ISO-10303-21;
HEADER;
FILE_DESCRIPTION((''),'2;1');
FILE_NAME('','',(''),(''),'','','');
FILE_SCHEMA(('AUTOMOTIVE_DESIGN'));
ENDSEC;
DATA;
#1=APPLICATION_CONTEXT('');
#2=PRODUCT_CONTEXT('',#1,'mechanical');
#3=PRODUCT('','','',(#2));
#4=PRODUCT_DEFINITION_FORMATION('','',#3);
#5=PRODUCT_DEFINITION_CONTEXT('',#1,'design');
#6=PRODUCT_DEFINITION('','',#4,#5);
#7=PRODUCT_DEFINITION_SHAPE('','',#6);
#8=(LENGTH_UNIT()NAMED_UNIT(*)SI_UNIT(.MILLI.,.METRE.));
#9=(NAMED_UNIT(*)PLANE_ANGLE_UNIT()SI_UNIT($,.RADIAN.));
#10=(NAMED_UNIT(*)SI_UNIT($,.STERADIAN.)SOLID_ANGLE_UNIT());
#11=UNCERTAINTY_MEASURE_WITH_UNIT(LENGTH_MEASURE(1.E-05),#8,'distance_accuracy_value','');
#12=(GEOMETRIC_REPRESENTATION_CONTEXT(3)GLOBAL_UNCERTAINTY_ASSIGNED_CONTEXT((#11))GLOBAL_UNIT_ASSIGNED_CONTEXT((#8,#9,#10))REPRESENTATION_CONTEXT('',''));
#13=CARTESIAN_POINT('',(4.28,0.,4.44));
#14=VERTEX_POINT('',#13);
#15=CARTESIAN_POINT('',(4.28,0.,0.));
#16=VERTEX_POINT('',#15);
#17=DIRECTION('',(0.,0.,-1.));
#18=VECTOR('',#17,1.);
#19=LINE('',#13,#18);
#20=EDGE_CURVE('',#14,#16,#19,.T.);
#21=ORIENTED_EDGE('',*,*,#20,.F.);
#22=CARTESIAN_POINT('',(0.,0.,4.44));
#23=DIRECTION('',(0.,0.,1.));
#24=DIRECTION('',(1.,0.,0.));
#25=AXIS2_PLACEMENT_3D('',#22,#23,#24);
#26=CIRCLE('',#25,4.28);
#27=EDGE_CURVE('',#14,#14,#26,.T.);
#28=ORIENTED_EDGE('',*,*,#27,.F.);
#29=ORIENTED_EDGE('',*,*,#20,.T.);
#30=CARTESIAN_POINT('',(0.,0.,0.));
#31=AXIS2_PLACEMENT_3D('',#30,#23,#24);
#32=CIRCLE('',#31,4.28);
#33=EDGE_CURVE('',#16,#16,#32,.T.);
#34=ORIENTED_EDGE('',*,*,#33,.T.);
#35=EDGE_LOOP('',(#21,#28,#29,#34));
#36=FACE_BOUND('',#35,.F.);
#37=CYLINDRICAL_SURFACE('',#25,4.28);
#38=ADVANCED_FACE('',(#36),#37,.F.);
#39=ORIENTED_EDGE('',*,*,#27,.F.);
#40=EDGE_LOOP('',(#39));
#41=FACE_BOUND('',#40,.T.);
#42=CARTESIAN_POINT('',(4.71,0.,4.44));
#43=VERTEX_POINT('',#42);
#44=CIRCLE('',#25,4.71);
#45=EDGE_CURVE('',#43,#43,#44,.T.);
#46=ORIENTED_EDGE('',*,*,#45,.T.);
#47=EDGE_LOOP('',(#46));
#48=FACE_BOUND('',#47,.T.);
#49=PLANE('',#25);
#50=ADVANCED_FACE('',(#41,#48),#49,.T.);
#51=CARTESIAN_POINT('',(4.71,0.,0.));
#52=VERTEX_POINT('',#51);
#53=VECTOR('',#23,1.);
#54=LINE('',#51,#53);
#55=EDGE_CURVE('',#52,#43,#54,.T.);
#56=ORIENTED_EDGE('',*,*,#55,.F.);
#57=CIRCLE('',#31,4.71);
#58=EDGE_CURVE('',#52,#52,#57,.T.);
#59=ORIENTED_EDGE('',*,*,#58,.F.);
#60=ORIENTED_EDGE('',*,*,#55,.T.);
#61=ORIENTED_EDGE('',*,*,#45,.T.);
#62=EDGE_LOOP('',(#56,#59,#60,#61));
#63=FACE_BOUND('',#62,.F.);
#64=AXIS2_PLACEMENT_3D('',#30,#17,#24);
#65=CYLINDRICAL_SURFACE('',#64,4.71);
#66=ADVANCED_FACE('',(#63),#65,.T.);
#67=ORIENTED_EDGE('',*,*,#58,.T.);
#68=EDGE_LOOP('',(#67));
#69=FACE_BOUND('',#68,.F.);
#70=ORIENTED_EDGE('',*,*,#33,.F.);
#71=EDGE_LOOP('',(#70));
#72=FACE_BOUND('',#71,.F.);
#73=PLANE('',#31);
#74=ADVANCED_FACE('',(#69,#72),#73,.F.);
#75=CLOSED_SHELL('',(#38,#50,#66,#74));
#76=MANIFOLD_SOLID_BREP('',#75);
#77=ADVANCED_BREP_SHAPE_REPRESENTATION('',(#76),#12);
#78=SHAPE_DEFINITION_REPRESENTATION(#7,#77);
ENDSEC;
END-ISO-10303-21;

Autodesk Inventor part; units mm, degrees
ref_plane "YZ Plane" through (0, 0, 0) normal (1, 0, 0) x (0, 1, 0)
ref_plane "XZ Plane" through (0, 0, 0) normal (0, 1, 0) x (-1, 0, 0)
ref_plane "XY Plane" through (0, 0, 0) normal (0, 0, 1) x (1, 0, 0)
sketch "Sketch1" plane through (0, 0, 0) normal (0, 0, 1) x (1, 0, 0)
  circle A0 centre (0, 0) radius 4.71
  dimension "d0" = 9.42
extrude "Extrusion1" add sketch "Sketch1" along normal blind 4.44
sketch "Sketch2" plane through (0, 0, 4.44) normal (0, 0, 1) x (1, 0, 0)
  circle A0 centre (0, 0) radius 4.28
  dimension "d3" = 8.56
extrude "Extrusion2" cut sketch "Sketch2" against normal through all
properties part number "TRANSFER_2"
